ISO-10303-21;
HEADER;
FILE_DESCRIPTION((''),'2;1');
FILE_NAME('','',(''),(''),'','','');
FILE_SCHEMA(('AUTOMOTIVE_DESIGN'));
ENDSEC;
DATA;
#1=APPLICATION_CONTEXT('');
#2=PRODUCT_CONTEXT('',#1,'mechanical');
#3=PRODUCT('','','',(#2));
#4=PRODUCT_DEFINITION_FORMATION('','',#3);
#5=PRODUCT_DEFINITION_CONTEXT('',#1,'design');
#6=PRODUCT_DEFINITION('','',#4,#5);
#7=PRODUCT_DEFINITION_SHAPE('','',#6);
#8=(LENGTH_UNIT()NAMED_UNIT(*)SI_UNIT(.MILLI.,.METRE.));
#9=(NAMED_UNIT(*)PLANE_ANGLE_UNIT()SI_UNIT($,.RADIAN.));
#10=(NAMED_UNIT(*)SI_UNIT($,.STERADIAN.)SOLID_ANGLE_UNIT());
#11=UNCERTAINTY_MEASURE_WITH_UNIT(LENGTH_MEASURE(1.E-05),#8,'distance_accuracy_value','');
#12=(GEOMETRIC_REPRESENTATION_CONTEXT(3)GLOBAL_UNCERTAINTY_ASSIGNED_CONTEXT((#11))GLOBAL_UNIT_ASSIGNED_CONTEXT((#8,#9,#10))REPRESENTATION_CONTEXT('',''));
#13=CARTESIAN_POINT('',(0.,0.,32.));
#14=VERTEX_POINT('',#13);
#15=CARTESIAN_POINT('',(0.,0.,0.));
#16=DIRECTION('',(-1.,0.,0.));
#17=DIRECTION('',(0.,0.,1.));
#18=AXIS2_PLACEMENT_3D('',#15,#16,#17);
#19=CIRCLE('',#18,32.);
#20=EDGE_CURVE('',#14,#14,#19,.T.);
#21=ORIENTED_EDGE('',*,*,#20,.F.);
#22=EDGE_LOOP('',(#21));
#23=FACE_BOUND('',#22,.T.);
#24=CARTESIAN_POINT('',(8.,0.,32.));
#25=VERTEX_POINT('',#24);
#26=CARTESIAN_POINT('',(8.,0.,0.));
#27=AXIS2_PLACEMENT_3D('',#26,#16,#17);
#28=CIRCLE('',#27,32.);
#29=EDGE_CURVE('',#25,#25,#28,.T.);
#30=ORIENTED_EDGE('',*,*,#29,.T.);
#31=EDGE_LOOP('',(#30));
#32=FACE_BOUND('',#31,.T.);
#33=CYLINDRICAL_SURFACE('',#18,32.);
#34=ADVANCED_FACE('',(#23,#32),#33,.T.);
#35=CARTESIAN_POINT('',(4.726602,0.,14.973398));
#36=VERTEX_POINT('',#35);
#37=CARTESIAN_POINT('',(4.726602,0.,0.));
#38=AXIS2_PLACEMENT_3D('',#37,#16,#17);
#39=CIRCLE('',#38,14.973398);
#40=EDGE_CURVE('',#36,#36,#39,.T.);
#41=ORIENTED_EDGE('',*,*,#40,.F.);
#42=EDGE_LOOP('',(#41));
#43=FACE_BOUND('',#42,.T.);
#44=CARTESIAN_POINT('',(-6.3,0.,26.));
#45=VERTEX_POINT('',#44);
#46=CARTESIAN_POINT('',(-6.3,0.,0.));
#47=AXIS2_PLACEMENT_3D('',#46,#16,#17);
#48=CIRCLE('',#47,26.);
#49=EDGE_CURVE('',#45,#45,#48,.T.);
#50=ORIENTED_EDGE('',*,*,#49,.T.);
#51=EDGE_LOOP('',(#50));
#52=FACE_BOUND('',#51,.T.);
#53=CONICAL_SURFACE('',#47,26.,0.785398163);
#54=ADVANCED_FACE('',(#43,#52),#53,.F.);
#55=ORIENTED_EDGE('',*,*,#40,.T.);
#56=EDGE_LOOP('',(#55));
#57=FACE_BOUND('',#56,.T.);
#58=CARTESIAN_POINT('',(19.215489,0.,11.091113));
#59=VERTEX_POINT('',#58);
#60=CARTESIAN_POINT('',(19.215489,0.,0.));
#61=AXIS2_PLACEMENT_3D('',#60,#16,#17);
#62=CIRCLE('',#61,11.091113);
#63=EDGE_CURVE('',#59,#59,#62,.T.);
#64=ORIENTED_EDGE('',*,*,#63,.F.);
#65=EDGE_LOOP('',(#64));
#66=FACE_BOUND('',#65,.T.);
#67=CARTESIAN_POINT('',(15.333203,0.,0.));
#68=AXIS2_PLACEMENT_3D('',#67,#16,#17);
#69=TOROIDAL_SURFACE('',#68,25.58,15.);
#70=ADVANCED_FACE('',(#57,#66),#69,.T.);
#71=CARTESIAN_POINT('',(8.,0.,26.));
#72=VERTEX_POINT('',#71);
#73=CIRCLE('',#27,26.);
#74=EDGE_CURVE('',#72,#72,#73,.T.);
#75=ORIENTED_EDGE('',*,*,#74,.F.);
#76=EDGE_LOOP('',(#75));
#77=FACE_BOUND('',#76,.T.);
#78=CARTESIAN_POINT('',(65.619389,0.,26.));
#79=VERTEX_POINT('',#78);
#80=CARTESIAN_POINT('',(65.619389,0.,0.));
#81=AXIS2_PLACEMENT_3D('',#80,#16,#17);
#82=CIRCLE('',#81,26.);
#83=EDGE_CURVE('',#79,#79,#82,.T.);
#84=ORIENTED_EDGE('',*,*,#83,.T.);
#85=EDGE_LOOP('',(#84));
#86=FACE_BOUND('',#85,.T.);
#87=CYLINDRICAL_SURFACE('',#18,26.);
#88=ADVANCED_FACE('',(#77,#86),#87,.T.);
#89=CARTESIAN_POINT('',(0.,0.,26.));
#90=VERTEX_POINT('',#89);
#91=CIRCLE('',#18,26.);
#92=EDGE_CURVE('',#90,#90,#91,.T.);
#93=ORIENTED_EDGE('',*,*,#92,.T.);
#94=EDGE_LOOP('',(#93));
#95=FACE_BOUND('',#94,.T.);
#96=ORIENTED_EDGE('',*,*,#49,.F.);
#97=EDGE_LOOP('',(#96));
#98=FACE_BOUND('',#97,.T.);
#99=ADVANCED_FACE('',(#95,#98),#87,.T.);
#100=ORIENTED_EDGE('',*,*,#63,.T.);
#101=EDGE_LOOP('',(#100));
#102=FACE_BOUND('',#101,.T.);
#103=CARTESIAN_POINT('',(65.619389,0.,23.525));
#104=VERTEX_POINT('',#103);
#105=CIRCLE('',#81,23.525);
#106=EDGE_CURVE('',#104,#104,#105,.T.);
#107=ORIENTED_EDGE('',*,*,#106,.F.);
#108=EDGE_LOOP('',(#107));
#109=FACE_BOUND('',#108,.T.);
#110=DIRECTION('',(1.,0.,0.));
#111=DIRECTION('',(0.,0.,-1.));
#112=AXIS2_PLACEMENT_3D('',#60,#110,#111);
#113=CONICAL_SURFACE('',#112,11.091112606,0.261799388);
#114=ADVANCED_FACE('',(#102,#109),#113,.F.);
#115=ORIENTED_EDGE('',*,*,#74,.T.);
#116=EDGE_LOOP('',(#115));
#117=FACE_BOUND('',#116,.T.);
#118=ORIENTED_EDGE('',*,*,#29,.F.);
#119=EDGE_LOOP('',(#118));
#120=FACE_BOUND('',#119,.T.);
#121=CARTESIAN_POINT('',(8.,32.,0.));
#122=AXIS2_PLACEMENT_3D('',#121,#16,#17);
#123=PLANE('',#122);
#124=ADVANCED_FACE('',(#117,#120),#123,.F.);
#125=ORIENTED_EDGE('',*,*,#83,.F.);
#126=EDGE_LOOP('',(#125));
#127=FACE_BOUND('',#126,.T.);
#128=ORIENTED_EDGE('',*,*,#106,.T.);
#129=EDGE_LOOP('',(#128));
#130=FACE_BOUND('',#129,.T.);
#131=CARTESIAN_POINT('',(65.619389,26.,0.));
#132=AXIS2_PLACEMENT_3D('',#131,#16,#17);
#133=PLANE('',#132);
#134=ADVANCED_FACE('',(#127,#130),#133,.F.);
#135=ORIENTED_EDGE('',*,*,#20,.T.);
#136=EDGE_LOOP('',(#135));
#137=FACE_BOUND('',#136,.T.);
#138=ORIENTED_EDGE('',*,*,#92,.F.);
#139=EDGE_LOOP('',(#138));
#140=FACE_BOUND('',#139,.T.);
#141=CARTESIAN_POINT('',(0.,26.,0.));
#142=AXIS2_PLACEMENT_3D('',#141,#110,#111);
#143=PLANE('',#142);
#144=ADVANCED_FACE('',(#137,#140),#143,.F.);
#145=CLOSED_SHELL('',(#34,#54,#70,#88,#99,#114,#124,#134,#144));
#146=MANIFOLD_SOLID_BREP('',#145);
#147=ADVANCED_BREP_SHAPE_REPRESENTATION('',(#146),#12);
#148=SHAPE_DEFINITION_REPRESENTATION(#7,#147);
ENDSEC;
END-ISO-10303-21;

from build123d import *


with BuildPart() as part:
    # Sketch1 → Revolve1 (revolve)
    with BuildSketch(Plane.XY):
        with BuildLine():
            Line((-6.3, 26), (4.726601718, 14.973398282))
            ThreePointArc((4.726601718, 14.973398282), (11.450917759, 11.091112606), (19.215489112, 11.091112606))
            Line((19.215489112, 11.091112606), (65.619388603, 23.525))
            Line((65.619388603, 23.525), (65.619388603, 26))
            Line((65.619388603, 26), (8, 26))
            Line((8, 26), (8, 32))
            Line((8, 32), (0, 32))
            Line((0, 32), (0, 26))
            Line((0, 26), (-6.3, 26))
        make_face()
    revolve(axis=Axis((0, 0, 0), (1, 0, 0)))


solid = part.part
